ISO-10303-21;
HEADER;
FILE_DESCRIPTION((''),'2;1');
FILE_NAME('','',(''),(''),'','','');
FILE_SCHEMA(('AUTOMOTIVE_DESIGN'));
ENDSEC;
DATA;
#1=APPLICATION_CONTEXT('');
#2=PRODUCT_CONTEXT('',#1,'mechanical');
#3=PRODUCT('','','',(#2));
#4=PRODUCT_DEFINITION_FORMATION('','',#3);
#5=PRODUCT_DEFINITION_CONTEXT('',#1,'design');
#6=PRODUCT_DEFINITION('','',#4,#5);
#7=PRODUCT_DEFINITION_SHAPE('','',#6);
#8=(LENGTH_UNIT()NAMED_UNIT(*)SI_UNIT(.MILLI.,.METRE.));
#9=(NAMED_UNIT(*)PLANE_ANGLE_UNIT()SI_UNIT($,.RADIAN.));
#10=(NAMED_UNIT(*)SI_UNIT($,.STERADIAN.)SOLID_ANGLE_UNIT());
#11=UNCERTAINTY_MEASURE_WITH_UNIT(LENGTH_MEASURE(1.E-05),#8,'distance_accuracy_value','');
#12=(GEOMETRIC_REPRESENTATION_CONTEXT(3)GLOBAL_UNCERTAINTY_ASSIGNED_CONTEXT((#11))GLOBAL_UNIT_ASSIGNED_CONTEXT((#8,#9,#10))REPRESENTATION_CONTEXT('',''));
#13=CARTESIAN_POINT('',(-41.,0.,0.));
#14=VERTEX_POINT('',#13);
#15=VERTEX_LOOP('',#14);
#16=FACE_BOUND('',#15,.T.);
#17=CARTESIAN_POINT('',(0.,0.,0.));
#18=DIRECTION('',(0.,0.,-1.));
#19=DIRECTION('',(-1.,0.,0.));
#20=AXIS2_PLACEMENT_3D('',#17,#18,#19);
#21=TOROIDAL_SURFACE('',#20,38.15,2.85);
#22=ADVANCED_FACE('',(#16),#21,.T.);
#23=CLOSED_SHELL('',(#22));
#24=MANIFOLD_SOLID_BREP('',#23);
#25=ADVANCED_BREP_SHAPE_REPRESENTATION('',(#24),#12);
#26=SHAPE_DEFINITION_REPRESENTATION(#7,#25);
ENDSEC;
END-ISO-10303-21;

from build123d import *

# Parameters (mm, degrees)
SKETCH2_R = 2.85


with BuildPart() as part:
    # Sweep1: sweep along a path in Sketch1
    with BuildLine(Plane.XY) as sweep1_path:
        CenterArc((0, 0), 35.3, 0, 360)
    # Sketch2 → Sweep1 (sweep)
    with BuildSketch(Plane(origin=(0, 0, 0), x_dir=(1, 0, 0), z_dir=(0, 1, 0))):
        with Locations((-38.15, 0)):
            Circle(SKETCH2_R)
    sweep(path=sweep1_path.line)


solid = part.part
